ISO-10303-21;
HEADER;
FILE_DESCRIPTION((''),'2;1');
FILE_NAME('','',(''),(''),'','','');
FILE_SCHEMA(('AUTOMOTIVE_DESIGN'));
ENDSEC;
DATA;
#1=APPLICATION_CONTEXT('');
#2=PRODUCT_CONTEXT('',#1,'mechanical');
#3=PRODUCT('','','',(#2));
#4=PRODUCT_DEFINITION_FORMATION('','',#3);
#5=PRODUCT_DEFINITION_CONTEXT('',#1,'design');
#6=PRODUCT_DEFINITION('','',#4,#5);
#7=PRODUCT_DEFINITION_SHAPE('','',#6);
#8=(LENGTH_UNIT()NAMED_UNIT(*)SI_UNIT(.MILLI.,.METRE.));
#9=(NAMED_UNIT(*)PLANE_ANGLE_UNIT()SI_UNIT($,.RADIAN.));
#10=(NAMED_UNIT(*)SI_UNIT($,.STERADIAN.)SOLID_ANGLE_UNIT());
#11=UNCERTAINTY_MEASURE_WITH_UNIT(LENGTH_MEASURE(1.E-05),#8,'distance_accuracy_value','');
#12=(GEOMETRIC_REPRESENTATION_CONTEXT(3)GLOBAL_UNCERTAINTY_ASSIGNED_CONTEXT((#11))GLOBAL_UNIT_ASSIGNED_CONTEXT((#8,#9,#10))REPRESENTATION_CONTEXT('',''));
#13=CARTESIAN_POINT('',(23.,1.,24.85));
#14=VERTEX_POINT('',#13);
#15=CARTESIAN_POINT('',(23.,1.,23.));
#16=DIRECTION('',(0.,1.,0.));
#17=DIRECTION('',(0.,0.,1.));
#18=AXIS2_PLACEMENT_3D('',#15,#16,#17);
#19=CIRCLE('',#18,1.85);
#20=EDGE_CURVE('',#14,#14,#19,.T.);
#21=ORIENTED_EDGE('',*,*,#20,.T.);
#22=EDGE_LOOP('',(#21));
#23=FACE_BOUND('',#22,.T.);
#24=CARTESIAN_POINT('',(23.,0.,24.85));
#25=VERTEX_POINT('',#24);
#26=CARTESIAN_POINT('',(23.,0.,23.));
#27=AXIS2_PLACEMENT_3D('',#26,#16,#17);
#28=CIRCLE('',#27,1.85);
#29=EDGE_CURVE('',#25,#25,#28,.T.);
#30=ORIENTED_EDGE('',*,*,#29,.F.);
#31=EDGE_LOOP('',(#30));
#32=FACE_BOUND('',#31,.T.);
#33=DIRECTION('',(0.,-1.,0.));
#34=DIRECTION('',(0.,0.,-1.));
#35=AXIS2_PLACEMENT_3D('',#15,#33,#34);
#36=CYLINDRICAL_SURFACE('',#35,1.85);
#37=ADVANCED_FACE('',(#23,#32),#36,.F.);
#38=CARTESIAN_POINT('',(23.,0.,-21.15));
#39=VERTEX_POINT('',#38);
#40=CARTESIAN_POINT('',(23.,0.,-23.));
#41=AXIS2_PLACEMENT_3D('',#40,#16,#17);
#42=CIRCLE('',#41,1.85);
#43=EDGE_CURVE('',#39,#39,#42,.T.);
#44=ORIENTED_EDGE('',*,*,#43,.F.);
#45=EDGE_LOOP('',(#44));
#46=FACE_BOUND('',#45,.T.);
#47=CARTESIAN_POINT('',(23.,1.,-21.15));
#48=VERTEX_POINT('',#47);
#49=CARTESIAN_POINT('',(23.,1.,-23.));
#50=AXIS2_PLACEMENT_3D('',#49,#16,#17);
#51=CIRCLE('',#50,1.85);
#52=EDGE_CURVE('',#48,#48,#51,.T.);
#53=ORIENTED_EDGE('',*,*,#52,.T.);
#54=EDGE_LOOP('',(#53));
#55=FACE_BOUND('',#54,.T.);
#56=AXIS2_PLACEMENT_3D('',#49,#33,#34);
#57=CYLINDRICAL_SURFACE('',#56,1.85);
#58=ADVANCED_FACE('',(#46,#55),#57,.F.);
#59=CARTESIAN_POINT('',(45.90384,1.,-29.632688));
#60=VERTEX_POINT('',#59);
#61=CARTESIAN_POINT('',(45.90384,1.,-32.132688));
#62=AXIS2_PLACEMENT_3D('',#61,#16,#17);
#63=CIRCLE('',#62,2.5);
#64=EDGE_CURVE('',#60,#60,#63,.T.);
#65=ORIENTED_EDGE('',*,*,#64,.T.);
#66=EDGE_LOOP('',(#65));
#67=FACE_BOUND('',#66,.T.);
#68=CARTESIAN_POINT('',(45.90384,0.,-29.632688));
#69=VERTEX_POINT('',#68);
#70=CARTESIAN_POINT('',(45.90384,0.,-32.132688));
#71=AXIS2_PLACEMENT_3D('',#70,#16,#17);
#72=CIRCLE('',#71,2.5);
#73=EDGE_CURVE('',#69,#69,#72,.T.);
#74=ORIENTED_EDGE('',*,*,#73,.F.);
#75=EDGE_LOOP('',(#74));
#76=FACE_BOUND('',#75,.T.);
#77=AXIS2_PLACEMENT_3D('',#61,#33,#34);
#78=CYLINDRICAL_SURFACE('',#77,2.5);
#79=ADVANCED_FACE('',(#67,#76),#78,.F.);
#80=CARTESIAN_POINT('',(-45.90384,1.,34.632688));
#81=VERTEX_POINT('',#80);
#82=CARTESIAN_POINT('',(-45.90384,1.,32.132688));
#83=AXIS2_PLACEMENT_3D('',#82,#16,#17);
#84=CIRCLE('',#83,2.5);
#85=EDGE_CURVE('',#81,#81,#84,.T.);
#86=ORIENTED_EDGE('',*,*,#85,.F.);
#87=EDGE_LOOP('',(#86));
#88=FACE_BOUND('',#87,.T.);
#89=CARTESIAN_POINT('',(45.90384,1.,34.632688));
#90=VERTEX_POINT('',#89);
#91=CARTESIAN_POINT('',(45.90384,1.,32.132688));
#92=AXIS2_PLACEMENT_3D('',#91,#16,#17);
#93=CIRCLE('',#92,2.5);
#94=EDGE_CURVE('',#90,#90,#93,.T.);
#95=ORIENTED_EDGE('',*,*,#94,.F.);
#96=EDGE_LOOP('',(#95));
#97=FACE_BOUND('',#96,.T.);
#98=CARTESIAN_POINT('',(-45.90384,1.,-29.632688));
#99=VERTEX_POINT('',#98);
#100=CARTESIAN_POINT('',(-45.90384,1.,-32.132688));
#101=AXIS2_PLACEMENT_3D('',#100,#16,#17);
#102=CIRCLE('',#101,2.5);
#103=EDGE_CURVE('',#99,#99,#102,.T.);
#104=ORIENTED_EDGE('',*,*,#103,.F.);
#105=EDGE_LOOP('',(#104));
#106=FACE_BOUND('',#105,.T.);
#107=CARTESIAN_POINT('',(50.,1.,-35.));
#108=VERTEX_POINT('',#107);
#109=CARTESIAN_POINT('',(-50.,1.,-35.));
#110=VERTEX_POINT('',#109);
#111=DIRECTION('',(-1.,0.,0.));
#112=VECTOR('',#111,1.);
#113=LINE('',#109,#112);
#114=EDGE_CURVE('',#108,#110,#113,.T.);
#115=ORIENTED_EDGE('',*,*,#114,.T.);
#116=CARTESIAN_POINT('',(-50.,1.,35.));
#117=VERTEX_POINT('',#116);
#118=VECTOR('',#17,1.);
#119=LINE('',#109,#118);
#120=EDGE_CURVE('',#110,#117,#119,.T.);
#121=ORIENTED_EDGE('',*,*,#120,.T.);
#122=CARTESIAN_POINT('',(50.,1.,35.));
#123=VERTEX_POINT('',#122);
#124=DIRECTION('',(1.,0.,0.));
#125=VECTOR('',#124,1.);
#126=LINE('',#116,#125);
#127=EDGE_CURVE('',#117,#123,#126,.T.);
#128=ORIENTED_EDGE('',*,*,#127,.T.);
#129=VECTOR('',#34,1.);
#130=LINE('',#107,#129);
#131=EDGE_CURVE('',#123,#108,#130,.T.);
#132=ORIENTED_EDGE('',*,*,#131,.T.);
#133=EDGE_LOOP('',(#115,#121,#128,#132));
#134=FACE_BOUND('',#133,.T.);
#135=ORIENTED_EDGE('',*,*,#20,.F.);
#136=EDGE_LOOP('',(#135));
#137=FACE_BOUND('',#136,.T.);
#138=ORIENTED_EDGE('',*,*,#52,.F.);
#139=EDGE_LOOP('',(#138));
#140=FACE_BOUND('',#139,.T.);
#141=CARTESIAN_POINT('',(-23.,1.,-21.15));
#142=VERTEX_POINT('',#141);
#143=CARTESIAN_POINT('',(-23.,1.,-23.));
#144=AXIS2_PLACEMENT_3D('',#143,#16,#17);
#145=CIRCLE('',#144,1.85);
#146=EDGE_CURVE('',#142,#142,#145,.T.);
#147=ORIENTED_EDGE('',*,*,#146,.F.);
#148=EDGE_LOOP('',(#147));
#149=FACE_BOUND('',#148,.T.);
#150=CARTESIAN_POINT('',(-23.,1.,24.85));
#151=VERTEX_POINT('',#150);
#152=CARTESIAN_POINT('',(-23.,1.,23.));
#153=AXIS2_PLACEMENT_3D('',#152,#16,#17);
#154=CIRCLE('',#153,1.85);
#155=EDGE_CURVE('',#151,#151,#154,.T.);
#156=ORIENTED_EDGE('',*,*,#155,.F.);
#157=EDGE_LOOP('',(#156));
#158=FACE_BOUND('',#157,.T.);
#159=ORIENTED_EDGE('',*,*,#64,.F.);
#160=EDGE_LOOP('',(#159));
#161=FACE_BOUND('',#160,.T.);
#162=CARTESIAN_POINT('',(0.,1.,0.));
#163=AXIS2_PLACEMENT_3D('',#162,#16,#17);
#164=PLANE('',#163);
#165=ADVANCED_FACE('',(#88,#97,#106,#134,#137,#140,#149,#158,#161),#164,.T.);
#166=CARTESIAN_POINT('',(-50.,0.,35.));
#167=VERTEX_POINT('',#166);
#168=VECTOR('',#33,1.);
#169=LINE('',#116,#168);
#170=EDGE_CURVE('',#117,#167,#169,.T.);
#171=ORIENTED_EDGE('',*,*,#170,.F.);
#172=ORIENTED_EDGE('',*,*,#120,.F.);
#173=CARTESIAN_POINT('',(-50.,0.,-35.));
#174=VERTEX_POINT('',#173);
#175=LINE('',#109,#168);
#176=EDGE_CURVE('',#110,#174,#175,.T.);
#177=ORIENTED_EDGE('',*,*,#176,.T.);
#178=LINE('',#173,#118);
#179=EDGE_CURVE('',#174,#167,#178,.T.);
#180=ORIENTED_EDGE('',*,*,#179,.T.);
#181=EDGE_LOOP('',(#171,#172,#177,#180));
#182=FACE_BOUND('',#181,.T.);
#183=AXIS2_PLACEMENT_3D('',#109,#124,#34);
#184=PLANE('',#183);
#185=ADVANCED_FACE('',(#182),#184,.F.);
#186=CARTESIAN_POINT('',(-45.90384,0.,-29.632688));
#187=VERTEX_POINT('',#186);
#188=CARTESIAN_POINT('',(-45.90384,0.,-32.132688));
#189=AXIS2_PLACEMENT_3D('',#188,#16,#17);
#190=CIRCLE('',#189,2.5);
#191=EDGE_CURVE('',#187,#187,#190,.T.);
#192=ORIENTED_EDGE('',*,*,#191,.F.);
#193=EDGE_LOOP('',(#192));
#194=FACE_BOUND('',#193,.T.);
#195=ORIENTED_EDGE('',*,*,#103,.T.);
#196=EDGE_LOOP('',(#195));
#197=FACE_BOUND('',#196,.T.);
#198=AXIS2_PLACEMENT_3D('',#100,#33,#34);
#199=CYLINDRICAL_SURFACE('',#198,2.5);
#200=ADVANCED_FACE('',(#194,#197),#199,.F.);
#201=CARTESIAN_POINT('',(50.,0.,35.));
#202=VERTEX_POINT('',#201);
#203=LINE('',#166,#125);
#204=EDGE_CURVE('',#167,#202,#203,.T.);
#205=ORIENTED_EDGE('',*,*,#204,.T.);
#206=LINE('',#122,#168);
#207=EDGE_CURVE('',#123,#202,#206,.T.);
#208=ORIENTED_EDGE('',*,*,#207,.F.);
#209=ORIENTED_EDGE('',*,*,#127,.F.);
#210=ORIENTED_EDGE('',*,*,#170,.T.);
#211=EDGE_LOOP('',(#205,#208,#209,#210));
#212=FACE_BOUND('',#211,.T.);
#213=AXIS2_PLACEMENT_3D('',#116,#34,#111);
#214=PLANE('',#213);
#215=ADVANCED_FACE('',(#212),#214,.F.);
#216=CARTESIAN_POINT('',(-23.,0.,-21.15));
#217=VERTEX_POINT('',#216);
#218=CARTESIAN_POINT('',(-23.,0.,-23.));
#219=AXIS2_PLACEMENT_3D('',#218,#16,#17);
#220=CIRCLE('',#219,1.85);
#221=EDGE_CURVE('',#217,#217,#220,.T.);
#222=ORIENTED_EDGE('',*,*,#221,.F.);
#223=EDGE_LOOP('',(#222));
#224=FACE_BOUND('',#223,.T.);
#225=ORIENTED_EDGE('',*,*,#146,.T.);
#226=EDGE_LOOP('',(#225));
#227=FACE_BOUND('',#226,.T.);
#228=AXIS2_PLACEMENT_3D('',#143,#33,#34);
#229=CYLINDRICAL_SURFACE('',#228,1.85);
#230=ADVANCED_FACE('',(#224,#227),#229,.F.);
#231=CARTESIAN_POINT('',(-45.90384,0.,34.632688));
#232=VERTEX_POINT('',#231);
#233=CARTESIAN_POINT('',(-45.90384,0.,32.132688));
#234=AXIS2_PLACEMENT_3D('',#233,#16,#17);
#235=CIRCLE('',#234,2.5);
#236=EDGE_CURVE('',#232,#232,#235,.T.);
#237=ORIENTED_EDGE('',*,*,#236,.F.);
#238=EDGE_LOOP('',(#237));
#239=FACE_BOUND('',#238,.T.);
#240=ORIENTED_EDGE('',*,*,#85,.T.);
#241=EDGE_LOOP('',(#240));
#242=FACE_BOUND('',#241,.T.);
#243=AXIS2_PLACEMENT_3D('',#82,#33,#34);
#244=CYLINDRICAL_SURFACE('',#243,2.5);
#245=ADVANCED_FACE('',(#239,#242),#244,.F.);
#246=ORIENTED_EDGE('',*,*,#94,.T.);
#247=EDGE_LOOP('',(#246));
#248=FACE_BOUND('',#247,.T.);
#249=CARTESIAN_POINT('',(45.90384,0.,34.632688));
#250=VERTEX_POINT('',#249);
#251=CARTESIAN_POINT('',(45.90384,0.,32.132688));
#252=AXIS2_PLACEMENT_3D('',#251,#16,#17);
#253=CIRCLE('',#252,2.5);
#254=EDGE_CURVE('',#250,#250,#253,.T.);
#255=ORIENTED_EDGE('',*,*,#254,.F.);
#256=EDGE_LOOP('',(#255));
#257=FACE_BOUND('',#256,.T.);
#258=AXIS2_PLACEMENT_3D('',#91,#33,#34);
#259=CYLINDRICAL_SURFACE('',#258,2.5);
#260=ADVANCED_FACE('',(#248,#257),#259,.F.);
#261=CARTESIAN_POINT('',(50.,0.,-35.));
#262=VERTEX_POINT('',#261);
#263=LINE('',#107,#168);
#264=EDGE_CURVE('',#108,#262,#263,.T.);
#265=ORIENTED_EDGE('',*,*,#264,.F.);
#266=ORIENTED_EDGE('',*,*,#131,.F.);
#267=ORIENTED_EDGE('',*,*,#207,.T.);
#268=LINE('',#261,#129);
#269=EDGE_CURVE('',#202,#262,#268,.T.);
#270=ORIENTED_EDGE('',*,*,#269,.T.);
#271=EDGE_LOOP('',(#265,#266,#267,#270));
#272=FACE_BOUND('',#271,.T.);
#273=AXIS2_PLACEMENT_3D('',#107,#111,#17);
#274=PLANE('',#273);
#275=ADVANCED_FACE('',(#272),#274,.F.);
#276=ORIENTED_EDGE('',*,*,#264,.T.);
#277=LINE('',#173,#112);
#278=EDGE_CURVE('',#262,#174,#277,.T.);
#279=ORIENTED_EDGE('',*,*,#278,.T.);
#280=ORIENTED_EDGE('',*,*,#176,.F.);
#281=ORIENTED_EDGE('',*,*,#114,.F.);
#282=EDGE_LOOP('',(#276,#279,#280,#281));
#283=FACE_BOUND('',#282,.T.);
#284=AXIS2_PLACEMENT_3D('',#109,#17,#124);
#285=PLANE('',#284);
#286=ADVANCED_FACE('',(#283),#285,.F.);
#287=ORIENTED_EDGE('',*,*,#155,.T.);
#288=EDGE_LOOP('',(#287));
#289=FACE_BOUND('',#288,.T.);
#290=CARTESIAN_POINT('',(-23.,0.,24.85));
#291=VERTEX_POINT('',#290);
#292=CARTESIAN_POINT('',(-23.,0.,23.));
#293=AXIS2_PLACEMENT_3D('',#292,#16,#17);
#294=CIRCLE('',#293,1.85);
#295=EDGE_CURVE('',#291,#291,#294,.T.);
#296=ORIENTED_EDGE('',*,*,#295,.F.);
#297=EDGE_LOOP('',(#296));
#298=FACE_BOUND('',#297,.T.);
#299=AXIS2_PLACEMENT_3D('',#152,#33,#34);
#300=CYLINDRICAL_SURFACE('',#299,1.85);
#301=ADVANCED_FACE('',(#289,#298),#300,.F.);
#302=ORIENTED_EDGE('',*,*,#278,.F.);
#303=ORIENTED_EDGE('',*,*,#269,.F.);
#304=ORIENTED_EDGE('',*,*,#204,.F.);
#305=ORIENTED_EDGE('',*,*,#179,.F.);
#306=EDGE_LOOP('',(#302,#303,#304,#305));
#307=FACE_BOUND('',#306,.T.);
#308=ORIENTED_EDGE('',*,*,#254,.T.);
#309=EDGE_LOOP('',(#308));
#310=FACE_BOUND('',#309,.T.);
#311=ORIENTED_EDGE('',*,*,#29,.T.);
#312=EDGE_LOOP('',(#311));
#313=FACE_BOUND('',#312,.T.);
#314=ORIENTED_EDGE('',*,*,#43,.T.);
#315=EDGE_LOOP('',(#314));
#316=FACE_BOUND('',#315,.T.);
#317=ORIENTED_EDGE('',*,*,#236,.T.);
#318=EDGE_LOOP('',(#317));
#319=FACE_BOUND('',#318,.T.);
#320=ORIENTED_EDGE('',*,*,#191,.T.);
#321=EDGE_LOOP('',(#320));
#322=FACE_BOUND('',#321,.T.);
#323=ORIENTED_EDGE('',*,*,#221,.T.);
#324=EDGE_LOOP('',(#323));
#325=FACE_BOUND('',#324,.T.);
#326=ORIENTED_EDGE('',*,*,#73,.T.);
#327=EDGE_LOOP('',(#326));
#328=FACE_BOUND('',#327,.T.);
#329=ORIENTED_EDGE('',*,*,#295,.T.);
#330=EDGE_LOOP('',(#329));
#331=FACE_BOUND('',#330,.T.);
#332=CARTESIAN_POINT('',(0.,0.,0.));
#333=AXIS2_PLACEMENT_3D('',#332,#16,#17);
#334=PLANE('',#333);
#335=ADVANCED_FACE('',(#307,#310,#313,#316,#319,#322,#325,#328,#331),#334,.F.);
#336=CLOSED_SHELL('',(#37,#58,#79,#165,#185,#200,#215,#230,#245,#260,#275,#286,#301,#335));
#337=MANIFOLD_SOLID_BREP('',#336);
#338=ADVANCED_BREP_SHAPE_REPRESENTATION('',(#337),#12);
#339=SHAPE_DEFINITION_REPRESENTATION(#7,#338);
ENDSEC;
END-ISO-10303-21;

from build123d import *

# Parameters (mm, degrees)
CROQUIS4_W              = 100
CROQUIS4_H              = 70
CROQUIS4_R              = 1.85
CROQUIS4_R_2            = 2.5
SALIENTE_EXTRUIR3_DEPTH = 1


with BuildPart() as part:
    # Croquis4 → Saliente-Extruir3 (new body)
    with BuildSketch(Plane(origin=(0, 0, 0), x_dir=(1, 0, 0), z_dir=(0, 1, 0))):
        Rectangle(CROQUIS4_W, CROQUIS4_H)
        with Locations(Location((-23, 23, 0), (0, 0, 270))):
            Circle(CROQUIS4_R, mode=Mode.SUBTRACT)
        with Locations(Location((-23, -23, 0), (0, 0, 270))):
            Circle(CROQUIS4_R, mode=Mode.SUBTRACT)
        with Locations(Location((23, -23, 0), (0, 0, 270))):
            Circle(CROQUIS4_R, mode=Mode.SUBTRACT)
        with Locations(Location((23, 23, 0), (0, 0, 270))):
            Circle(CROQUIS4_R, mode=Mode.SUBTRACT)
        with Locations(Location((-45.903840397, 32.132688278, 0), (0, 0, 270))):
            Circle(CROQUIS4_R_2, mode=Mode.SUBTRACT)
        with Locations(Location((45.903840397, 32.132688278, 0), (0, 0, 270))):
            Circle(CROQUIS4_R_2, mode=Mode.SUBTRACT)
        with Locations(Location((45.903840397, -32.132688278, 0), (0, 0, 270))):
            Circle(CROQUIS4_R_2, mode=Mode.SUBTRACT)
        with Locations(Location((-45.903840397, -32.132688278, 0), (0, 0, 270))):
            Circle(CROQUIS4_R_2, mode=Mode.SUBTRACT)
    extrude(amount=SALIENTE_EXTRUIR3_DEPTH)


solid = part.part
